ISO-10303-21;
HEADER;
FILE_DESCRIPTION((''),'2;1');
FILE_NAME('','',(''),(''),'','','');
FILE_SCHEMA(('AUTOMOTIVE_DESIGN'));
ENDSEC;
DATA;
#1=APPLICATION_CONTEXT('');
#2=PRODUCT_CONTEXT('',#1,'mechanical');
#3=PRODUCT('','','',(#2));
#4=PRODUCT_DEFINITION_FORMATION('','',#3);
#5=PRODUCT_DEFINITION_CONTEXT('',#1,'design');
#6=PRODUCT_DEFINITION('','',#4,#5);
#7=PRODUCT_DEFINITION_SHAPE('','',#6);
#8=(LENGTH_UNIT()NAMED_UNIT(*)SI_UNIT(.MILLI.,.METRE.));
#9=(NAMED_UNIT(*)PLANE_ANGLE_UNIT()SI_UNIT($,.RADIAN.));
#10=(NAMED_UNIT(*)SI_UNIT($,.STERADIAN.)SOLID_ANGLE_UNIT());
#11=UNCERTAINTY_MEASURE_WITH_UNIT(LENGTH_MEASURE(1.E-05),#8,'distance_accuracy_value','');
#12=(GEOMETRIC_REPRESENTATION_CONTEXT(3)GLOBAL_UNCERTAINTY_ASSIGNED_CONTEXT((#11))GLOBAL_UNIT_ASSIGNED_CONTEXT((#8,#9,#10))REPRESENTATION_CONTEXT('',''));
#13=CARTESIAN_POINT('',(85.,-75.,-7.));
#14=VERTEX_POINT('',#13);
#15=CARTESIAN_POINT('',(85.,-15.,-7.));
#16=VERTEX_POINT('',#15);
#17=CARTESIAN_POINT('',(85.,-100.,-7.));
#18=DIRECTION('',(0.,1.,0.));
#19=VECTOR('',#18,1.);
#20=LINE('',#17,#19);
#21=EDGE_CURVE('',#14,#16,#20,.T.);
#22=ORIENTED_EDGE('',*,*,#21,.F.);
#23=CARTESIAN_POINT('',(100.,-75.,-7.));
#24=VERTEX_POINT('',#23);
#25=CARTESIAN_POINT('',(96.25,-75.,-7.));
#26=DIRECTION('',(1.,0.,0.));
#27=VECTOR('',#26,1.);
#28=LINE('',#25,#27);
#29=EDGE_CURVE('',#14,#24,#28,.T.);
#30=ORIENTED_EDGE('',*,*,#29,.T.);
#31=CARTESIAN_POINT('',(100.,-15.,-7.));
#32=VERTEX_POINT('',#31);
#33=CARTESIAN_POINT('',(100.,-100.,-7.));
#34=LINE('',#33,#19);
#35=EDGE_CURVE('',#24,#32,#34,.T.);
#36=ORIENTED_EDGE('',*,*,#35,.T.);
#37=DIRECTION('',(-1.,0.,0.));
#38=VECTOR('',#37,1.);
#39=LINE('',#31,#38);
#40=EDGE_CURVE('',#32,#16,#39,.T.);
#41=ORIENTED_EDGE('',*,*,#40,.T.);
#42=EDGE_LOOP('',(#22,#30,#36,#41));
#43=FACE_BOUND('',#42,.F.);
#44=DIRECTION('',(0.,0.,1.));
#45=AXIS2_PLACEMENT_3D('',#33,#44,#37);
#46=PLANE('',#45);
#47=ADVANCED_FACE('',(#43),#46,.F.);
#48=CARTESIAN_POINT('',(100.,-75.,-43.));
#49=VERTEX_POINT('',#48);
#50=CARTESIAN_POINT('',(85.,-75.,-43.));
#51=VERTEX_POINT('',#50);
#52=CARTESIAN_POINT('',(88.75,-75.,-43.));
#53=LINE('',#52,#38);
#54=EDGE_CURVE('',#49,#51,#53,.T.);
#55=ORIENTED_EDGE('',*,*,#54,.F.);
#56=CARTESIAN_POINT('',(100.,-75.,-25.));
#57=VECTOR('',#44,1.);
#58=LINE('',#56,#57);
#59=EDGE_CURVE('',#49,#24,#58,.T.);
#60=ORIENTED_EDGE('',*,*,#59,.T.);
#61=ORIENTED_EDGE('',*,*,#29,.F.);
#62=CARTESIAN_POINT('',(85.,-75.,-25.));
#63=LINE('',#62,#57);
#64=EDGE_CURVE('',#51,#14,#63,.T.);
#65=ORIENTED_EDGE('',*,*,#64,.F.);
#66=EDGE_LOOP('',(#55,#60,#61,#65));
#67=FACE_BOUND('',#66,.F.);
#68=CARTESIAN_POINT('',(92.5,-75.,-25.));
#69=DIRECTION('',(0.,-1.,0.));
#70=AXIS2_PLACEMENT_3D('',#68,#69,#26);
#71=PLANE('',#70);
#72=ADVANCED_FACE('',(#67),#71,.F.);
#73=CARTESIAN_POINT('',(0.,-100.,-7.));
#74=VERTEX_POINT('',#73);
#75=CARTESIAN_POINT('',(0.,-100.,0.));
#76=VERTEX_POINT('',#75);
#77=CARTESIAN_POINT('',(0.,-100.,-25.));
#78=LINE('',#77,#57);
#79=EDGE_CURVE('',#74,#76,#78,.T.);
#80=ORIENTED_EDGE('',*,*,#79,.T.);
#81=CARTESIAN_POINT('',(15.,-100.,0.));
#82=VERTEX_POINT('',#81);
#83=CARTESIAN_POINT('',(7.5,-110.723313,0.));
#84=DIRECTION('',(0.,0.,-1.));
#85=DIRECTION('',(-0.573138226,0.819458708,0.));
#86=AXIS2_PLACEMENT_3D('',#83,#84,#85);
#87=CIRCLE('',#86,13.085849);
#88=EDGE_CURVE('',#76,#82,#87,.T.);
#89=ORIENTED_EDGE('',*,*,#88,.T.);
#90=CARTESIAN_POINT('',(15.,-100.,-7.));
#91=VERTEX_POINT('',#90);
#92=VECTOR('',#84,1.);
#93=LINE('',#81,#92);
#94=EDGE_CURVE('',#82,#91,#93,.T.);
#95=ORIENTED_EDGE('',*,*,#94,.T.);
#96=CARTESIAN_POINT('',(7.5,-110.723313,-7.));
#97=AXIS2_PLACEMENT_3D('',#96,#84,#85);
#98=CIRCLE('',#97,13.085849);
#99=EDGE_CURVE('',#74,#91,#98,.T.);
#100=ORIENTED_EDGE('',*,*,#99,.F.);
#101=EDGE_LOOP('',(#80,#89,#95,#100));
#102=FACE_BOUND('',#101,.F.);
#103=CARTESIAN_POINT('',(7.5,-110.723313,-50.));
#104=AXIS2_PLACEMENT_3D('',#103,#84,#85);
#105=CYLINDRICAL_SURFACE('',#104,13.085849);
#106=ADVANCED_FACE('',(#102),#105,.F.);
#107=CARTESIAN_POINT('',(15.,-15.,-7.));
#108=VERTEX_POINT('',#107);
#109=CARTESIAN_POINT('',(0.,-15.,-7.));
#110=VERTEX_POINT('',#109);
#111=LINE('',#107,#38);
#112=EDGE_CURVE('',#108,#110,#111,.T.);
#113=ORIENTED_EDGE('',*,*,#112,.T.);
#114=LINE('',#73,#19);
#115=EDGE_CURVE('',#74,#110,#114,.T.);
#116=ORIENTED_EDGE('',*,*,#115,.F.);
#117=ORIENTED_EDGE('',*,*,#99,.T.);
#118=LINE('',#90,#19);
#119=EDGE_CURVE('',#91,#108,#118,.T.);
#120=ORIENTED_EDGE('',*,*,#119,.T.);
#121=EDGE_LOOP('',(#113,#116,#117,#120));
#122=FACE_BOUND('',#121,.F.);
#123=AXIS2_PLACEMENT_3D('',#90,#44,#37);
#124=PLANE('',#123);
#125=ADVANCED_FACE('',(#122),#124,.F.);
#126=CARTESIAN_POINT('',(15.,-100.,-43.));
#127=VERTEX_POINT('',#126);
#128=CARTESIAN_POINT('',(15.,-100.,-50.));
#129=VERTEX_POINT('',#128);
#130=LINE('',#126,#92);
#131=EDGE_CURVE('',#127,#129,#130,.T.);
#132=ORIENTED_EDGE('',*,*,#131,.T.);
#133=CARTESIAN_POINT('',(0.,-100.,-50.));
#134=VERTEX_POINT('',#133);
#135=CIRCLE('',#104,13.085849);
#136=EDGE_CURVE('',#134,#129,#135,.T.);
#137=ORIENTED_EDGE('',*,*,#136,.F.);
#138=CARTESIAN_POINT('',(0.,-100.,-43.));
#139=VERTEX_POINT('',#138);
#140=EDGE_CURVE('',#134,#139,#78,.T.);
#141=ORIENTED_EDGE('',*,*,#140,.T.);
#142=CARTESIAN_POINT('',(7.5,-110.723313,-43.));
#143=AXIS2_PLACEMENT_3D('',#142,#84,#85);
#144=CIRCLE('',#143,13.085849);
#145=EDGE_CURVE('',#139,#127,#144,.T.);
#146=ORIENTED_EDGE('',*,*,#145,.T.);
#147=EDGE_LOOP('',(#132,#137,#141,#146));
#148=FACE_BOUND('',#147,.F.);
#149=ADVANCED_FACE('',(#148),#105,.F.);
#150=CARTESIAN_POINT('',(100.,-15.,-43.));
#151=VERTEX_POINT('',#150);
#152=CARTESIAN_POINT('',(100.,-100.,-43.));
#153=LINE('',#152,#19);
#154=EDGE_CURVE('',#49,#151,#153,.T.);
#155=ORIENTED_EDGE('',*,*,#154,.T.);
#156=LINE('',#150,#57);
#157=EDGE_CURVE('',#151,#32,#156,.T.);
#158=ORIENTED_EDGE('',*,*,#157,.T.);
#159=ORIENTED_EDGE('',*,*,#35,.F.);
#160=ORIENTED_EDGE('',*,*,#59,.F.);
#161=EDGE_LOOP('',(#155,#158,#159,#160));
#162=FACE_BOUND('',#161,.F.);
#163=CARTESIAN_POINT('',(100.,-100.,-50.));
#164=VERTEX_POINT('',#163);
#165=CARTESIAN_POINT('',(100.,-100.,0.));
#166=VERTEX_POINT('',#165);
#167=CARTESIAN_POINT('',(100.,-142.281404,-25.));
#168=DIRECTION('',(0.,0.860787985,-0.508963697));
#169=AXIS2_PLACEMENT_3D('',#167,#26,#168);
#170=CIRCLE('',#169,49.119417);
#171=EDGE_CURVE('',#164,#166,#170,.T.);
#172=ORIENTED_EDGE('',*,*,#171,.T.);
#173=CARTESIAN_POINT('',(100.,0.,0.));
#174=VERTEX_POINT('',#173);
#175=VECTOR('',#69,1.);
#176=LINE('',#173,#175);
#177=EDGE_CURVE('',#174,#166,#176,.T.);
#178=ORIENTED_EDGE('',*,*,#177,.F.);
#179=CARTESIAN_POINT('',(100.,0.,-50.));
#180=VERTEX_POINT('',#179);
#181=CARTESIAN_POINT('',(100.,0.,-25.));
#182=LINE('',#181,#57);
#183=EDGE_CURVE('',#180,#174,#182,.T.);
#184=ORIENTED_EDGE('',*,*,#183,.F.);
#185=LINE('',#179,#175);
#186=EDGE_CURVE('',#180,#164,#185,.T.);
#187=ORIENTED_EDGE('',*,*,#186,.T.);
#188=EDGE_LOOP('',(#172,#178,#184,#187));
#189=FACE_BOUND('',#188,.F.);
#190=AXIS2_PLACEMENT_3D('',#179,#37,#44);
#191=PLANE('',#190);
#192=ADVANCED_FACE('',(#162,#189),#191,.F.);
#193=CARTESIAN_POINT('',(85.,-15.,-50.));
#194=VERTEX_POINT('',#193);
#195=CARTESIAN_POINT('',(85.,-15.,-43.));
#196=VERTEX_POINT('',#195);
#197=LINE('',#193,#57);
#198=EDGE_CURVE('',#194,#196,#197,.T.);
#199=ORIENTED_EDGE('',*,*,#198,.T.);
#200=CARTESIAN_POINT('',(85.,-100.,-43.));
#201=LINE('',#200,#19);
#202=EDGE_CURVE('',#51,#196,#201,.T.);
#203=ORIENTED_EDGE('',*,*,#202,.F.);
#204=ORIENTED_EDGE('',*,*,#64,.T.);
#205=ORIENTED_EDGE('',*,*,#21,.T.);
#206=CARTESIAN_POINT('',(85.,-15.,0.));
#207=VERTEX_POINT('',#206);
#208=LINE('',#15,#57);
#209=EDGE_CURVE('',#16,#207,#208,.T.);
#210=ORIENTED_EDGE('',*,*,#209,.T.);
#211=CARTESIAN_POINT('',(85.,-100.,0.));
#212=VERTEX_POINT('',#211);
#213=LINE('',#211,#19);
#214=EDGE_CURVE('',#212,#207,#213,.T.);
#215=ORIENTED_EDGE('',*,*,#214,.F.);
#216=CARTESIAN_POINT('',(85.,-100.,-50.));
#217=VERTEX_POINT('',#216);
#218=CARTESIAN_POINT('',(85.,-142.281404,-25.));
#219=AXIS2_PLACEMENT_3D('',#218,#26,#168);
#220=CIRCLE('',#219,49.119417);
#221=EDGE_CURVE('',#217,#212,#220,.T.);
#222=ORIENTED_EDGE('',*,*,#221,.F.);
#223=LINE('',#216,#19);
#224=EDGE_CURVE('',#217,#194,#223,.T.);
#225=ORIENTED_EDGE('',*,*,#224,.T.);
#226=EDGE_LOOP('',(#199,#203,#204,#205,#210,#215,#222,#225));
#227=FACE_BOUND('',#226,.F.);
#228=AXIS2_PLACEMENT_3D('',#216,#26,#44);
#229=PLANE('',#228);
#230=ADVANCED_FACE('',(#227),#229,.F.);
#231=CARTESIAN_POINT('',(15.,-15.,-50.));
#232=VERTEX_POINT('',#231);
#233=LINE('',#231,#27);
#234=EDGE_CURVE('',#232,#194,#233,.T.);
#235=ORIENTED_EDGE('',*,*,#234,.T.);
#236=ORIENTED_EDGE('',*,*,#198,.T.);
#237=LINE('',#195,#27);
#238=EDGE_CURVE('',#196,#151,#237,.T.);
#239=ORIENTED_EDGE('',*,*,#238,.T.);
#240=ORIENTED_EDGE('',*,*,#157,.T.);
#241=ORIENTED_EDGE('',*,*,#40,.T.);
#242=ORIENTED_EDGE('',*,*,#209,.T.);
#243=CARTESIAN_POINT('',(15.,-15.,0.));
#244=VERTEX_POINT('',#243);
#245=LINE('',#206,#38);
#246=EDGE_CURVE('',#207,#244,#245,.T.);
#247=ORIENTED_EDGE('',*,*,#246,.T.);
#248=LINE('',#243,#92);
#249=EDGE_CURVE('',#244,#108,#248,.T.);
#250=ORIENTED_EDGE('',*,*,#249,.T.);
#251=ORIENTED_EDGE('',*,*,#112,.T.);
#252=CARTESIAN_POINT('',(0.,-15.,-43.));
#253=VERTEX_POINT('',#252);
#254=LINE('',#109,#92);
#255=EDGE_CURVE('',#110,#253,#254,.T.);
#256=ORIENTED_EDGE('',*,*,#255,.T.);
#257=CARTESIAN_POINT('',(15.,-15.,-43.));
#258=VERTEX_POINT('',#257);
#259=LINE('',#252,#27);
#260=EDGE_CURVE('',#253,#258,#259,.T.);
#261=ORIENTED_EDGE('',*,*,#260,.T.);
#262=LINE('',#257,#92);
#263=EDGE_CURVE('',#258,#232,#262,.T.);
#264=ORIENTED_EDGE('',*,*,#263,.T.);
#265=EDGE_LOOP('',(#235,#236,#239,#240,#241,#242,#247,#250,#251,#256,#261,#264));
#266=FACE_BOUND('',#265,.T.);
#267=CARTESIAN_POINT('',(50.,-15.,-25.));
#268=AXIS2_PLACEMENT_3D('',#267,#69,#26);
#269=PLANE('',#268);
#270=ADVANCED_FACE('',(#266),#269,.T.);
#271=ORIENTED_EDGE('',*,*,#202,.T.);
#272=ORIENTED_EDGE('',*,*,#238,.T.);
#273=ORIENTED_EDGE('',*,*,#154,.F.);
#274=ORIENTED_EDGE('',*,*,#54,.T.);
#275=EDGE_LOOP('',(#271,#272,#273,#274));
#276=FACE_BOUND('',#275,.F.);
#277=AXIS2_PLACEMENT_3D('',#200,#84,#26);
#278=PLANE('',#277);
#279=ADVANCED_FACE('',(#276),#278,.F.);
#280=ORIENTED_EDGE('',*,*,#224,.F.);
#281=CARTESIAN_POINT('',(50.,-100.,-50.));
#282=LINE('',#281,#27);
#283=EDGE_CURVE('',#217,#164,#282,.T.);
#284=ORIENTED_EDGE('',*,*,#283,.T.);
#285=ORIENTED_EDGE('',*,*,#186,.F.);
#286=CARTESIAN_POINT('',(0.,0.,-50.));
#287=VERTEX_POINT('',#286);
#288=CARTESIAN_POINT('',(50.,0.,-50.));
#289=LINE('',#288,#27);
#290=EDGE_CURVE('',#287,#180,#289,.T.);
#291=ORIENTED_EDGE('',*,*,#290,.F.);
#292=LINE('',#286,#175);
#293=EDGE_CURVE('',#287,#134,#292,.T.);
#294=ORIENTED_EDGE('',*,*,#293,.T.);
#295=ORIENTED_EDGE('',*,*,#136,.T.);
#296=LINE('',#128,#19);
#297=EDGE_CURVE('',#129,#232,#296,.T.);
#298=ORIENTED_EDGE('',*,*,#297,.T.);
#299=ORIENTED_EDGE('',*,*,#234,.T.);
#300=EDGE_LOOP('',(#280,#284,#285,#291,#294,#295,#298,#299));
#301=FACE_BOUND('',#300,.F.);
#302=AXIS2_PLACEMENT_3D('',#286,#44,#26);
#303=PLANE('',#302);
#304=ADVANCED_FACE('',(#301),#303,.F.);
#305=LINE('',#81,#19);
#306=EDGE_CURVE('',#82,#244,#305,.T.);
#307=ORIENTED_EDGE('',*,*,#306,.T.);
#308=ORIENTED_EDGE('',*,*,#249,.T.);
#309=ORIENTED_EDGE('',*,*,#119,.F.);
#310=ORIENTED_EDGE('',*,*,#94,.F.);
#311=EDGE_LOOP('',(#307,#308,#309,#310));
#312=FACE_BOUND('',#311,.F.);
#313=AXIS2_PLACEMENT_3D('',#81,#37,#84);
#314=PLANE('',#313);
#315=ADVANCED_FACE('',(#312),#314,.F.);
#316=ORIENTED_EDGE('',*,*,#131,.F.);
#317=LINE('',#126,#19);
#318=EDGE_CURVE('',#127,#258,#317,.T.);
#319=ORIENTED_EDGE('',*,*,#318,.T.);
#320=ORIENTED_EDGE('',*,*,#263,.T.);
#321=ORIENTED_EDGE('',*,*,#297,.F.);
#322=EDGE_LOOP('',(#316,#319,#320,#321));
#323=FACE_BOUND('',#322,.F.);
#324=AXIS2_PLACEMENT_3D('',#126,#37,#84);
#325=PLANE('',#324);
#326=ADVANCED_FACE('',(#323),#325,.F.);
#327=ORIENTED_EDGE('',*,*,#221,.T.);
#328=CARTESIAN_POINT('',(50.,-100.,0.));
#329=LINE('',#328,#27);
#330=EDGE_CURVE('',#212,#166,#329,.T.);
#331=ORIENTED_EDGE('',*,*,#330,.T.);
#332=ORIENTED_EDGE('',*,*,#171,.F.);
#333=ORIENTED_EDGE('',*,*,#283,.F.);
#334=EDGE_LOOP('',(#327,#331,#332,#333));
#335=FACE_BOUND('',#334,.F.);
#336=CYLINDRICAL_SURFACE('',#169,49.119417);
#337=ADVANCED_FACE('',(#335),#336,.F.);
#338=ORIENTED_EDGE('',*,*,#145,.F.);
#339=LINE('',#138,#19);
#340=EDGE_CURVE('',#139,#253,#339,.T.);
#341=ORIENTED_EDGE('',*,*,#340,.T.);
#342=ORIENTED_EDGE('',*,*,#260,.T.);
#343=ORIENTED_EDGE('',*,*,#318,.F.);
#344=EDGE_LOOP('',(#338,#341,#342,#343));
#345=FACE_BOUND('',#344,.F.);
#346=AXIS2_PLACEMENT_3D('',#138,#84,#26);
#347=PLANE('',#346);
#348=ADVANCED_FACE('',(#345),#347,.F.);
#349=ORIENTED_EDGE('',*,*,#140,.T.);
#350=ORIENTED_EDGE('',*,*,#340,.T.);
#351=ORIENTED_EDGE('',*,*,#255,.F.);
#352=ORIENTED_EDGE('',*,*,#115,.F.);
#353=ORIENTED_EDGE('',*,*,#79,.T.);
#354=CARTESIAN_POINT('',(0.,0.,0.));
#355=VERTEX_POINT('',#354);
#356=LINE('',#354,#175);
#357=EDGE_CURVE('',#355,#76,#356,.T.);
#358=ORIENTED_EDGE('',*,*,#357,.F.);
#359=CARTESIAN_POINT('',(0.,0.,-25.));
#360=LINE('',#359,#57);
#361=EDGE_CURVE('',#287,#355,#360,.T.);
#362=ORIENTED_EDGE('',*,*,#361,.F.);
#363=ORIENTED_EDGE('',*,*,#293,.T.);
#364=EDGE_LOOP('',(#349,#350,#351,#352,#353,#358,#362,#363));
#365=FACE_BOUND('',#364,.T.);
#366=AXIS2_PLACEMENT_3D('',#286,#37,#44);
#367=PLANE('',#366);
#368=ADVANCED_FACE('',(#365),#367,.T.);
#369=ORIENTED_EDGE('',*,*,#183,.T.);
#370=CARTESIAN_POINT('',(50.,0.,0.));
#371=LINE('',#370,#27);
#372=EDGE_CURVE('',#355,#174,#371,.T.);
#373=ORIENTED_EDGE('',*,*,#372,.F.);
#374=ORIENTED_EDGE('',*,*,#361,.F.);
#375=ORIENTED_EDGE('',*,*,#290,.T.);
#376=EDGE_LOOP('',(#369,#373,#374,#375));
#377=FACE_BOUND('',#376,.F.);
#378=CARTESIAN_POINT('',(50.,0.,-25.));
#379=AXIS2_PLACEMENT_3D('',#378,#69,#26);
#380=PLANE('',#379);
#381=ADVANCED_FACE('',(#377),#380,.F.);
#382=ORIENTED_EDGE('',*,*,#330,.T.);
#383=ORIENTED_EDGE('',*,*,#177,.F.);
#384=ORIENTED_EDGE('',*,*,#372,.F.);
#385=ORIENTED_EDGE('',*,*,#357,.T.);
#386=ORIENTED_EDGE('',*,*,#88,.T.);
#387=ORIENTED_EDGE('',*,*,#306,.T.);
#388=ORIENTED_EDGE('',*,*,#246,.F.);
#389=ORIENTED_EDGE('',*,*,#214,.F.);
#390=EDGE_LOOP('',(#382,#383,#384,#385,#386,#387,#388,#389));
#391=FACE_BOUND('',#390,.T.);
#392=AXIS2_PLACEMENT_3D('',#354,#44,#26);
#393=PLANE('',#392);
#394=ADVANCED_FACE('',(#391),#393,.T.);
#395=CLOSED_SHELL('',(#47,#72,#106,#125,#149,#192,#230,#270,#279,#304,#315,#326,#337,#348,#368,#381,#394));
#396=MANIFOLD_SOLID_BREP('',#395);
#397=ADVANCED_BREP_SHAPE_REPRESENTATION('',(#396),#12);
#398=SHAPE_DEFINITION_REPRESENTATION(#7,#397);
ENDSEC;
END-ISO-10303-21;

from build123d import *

# Parameters (mm, degrees)
F0_W     = 100
F0_H     = 50
F1_DEPTH = 100
F3_DEPTH = 85
F4_W     = 15
F4_H     = 50
F5_DEPTH = 25
F7_DEPTH = 15
F9_DEPTH = 50


with BuildPart() as f1:
    # F0 (on Front) → F1 (new body)
    with BuildSketch(Plane.XZ):
        with Locations((50, -25)):
            Rectangle(F0_W, F0_H)
    extrude(amount=F1_DEPTH)

    # F2 (on face) → F3 (cut)
    with BuildSketch(Plane.XZ.offset(100)):
        Polygon((85, 0), (15, 0), (15, -7), (0, -7), (0, -43), (15, -43), (15, -50), (85, -50), (85, -43), (100, -43), (100, -7), (85, -7), align=None)
    extrude(amount=-F3_DEPTH, mode=Mode.SUBTRACT)

    # F4 (on face) → F5 (join)
    with BuildSketch(Plane.XZ.offset(100)):
        with Locations((92.5, -25)):
            Rectangle(F4_W, F4_H)
    extrude(amount=-F5_DEPTH)

    # F6 (on face) → F7 (cut)
    with BuildSketch(Plane.YZ.offset(100)):
        with BuildLine():
            Line((-100, 0), (-100, -50))
            ThreePointArc((-100, -50), (-93.161987, -25), (-100, 0))
        make_face()
    extrude(amount=-F7_DEPTH, mode=Mode.SUBTRACT)

    # F8 (on face) → F9 (cut)
    with BuildSketch(Plane(origin=(0, 0, -50), x_dir=(1, 0, 0), z_dir=(0, 0, -1))):
        with BuildLine():
            Line((15, 100), (0, 100))
            ThreePointArc((0, 100), (7.5, 97.637464), (15, 100))
        make_face()
    extrude(amount=-F9_DEPTH, mode=Mode.SUBTRACT)


solid = f1.part
